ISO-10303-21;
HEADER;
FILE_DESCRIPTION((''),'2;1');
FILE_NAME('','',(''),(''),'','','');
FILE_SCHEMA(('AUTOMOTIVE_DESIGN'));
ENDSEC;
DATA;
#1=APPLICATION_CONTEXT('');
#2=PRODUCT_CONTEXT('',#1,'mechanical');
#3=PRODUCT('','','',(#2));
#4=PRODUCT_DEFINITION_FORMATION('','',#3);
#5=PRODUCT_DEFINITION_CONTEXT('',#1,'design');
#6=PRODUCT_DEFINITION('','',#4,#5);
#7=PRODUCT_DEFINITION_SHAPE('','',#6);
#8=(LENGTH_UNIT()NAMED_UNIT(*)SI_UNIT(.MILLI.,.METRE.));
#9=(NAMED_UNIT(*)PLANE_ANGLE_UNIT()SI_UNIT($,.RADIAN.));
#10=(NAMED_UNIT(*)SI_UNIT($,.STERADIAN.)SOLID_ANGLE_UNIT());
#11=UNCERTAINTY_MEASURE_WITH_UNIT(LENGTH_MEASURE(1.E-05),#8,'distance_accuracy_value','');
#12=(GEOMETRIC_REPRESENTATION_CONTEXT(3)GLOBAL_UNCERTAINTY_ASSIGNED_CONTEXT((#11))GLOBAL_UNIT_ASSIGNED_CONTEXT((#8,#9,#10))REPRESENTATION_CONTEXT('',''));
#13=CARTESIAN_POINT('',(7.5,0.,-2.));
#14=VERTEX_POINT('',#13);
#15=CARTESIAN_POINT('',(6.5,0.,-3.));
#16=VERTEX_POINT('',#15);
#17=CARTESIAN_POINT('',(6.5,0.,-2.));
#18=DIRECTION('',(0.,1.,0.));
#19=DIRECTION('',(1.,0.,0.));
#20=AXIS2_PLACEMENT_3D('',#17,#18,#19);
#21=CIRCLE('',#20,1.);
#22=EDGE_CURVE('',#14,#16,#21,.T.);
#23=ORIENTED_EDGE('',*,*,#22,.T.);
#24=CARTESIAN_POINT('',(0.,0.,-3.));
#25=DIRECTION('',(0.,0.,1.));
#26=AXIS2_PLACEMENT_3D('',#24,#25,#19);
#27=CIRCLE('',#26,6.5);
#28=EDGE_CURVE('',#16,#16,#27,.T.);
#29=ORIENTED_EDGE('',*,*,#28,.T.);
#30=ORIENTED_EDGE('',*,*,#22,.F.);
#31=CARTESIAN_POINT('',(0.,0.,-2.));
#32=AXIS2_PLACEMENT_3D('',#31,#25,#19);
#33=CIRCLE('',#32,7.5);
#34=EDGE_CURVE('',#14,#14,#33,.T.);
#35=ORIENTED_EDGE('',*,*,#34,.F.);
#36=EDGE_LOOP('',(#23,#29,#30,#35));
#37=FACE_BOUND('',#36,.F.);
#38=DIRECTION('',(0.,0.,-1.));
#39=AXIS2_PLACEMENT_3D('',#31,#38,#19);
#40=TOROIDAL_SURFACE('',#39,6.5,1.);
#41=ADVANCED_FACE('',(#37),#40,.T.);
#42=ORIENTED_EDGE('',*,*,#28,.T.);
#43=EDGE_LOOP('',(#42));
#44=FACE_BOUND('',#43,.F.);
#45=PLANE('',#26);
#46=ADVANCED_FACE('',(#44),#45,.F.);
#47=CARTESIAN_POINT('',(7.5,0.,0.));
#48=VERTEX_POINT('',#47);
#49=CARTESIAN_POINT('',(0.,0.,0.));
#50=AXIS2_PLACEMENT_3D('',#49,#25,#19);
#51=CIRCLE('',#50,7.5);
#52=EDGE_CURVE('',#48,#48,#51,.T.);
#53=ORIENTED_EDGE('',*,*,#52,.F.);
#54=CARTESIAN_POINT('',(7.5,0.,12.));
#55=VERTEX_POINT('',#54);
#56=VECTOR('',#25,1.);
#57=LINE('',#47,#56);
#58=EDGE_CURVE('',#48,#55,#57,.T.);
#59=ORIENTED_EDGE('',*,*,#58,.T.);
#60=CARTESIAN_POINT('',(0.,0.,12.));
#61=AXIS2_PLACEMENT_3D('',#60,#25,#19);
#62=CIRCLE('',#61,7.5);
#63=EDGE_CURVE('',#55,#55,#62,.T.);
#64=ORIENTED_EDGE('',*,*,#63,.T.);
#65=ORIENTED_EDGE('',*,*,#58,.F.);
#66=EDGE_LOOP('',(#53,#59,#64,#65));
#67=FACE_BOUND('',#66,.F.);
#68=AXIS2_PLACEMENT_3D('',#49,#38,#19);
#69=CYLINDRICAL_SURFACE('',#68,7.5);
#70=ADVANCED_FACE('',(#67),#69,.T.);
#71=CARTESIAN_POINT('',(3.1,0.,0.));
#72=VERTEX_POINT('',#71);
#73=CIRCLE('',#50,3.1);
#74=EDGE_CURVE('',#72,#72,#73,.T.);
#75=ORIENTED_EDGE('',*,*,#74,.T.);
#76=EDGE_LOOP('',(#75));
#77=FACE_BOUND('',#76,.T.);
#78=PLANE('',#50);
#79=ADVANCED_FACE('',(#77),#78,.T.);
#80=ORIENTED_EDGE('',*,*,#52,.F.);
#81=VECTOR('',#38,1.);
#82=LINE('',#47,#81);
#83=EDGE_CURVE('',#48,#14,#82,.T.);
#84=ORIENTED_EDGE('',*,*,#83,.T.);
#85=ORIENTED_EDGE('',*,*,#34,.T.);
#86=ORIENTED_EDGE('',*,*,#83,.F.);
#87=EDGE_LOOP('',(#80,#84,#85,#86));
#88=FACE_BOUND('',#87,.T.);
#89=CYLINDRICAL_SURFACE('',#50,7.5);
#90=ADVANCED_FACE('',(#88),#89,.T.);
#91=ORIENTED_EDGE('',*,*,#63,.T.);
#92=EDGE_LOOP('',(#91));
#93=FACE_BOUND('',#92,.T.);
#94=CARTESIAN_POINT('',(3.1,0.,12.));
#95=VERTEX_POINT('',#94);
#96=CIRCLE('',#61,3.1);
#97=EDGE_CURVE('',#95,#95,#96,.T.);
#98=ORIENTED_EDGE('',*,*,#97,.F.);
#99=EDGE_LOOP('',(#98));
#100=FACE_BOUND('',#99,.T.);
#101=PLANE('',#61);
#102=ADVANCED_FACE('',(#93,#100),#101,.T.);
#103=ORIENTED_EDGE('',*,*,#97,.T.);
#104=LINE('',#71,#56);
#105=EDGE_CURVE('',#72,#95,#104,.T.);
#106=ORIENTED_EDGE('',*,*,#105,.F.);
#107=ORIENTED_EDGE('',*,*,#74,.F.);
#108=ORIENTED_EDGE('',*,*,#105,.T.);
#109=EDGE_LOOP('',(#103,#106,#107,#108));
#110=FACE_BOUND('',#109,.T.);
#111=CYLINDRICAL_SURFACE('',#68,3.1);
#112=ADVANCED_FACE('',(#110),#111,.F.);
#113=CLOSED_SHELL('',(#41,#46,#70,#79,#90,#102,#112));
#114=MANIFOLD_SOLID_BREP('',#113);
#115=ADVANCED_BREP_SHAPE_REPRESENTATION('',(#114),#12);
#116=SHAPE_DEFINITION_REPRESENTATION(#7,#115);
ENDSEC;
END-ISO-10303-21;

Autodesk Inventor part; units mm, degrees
ref_plane "YZ Plane" through (0, 0, 0) normal (1, 0, 0) x (0, 1, 0)
ref_plane "XZ Plane" through (0, 0, 0) normal (0, 1, 0) x (-1, 0, 0)
ref_plane "XY Plane" through (0, 0, 0) normal (0, 0, 1) x (1, 0, 0)
sketch "Skizze1" plane through (0, 0, 0) normal (0, 0, 1) x (1, 0, 0)
  circle A0 centre (0, 0) radius 3.1
  circle A1 centre (0, 0) radius 7.5
  dimension "d0" = 6.2
  dimension "d1" = 15
extrude "Extrusion1" add sketch "Skizze1" along normal blind 12
extrude "Extrusion2" add sketch "Skizze1" against normal blind 3 contours A0 | A1
fillet "Rundung1" radius 1 1 edges at (-7.5, 0, -3)
properties part number "Knopf"
